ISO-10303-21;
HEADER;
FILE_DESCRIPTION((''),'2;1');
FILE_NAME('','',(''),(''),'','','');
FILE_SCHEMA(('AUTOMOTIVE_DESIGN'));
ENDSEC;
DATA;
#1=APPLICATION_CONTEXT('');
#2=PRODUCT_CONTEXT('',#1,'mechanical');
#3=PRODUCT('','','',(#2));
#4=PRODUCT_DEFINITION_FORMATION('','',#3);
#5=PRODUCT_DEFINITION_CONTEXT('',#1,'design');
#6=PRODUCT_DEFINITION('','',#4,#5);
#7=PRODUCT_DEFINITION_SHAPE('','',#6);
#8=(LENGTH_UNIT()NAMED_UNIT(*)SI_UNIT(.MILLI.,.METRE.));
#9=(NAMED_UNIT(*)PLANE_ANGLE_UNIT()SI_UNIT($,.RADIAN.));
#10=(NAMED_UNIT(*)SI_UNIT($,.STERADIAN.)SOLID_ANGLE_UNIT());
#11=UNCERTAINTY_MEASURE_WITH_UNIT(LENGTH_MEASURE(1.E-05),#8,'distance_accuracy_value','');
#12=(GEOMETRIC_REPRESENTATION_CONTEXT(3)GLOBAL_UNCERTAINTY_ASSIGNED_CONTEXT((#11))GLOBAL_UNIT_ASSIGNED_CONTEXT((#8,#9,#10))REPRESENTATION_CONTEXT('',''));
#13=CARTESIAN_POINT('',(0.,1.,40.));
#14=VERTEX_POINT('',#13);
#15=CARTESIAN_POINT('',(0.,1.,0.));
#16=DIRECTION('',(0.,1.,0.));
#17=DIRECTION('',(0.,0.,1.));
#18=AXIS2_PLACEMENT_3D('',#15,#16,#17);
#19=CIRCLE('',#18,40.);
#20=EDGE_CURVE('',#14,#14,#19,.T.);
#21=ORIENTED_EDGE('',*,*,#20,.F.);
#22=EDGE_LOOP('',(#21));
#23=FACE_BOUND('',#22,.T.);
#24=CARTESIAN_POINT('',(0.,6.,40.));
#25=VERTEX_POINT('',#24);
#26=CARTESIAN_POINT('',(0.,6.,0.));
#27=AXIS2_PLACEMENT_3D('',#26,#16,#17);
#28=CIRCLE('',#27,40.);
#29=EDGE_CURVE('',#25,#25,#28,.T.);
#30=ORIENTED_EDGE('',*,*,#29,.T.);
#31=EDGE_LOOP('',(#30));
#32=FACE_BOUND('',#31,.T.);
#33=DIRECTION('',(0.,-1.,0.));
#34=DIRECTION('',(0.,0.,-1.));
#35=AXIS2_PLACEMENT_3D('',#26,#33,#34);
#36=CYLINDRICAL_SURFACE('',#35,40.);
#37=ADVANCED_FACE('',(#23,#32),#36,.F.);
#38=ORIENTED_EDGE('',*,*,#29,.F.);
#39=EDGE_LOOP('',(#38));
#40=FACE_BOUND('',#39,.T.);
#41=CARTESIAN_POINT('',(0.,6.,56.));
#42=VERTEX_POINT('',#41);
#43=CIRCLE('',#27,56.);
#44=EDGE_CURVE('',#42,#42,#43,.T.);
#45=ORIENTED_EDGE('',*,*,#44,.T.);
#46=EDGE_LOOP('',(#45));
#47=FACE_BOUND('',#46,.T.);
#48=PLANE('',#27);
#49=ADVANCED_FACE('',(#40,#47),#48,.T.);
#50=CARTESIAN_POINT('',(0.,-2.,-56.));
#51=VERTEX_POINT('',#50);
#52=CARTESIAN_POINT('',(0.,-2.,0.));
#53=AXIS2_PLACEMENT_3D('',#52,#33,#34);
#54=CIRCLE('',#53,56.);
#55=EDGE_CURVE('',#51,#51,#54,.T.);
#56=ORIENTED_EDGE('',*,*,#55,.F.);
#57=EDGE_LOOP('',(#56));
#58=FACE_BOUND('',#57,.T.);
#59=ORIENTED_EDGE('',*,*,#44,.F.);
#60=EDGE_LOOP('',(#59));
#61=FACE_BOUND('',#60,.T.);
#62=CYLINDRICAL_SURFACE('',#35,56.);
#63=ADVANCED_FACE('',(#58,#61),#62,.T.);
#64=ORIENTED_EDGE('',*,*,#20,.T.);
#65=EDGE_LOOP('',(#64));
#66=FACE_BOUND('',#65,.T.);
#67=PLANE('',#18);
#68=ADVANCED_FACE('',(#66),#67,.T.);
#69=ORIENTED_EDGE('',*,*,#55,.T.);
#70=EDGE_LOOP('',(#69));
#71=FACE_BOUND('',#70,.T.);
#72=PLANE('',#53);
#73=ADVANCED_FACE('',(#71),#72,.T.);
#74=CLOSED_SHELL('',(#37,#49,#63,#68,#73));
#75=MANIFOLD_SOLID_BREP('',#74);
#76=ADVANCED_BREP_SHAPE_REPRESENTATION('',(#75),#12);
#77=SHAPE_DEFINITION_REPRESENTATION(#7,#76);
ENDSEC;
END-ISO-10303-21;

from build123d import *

# Parameters (mm, degrees)
ESBO_O1_R                = 56
ESBO_O1_R_2              = 40
RESSALTO_EXTRUS_O1_DEPTH = 6
RESSALTO_EXTRUS_O2_START = 2
ESBO_O2_R                = 56
RESSALTO_EXTRUS_O2_DEPTH = 2
ESBO_O3_R                = 40
RESSALTO_EXTRUS_O3_DEPTH = 1


with BuildPart() as part:
    # Esboço1 → Ressalto-extrusão1 (new body)
    with BuildSketch(Plane(origin=(0, 0, 0), x_dir=(1, 0, 0), z_dir=(0, 1, 0))):
        with Locations(Location((0, 0, 0), (0, 0, 270))):
            Circle(ESBO_O1_R)
        with Locations(Location((0, 0, 0), (0, 0, 270))):
            Circle(ESBO_O1_R_2, mode=Mode.SUBTRACT)
    extrude(amount=RESSALTO_EXTRUS_O1_DEPTH)

    # Esboço2 → Ressalto-extrusão2 (add)
    with BuildSketch(Plane.XZ.offset(RESSALTO_EXTRUS_O2_START)):
        with Locations(Location((0, 0, 0), (0, 0, 270))):
            Circle(ESBO_O2_R)
    extrude(amount=-RESSALTO_EXTRUS_O2_DEPTH)

    # Esboço3 → Ressalto-extrusão3 (add)
    with BuildSketch(Plane(origin=(0, 0, 0), x_dir=(1, 0, 0), z_dir=(0, 1, 0))):
        with Locations(Location((0, 0, 0), (0, 0, 270))):
            Circle(ESBO_O3_R)
    extrude(amount=RESSALTO_EXTRUS_O3_DEPTH)


solid = part.part
